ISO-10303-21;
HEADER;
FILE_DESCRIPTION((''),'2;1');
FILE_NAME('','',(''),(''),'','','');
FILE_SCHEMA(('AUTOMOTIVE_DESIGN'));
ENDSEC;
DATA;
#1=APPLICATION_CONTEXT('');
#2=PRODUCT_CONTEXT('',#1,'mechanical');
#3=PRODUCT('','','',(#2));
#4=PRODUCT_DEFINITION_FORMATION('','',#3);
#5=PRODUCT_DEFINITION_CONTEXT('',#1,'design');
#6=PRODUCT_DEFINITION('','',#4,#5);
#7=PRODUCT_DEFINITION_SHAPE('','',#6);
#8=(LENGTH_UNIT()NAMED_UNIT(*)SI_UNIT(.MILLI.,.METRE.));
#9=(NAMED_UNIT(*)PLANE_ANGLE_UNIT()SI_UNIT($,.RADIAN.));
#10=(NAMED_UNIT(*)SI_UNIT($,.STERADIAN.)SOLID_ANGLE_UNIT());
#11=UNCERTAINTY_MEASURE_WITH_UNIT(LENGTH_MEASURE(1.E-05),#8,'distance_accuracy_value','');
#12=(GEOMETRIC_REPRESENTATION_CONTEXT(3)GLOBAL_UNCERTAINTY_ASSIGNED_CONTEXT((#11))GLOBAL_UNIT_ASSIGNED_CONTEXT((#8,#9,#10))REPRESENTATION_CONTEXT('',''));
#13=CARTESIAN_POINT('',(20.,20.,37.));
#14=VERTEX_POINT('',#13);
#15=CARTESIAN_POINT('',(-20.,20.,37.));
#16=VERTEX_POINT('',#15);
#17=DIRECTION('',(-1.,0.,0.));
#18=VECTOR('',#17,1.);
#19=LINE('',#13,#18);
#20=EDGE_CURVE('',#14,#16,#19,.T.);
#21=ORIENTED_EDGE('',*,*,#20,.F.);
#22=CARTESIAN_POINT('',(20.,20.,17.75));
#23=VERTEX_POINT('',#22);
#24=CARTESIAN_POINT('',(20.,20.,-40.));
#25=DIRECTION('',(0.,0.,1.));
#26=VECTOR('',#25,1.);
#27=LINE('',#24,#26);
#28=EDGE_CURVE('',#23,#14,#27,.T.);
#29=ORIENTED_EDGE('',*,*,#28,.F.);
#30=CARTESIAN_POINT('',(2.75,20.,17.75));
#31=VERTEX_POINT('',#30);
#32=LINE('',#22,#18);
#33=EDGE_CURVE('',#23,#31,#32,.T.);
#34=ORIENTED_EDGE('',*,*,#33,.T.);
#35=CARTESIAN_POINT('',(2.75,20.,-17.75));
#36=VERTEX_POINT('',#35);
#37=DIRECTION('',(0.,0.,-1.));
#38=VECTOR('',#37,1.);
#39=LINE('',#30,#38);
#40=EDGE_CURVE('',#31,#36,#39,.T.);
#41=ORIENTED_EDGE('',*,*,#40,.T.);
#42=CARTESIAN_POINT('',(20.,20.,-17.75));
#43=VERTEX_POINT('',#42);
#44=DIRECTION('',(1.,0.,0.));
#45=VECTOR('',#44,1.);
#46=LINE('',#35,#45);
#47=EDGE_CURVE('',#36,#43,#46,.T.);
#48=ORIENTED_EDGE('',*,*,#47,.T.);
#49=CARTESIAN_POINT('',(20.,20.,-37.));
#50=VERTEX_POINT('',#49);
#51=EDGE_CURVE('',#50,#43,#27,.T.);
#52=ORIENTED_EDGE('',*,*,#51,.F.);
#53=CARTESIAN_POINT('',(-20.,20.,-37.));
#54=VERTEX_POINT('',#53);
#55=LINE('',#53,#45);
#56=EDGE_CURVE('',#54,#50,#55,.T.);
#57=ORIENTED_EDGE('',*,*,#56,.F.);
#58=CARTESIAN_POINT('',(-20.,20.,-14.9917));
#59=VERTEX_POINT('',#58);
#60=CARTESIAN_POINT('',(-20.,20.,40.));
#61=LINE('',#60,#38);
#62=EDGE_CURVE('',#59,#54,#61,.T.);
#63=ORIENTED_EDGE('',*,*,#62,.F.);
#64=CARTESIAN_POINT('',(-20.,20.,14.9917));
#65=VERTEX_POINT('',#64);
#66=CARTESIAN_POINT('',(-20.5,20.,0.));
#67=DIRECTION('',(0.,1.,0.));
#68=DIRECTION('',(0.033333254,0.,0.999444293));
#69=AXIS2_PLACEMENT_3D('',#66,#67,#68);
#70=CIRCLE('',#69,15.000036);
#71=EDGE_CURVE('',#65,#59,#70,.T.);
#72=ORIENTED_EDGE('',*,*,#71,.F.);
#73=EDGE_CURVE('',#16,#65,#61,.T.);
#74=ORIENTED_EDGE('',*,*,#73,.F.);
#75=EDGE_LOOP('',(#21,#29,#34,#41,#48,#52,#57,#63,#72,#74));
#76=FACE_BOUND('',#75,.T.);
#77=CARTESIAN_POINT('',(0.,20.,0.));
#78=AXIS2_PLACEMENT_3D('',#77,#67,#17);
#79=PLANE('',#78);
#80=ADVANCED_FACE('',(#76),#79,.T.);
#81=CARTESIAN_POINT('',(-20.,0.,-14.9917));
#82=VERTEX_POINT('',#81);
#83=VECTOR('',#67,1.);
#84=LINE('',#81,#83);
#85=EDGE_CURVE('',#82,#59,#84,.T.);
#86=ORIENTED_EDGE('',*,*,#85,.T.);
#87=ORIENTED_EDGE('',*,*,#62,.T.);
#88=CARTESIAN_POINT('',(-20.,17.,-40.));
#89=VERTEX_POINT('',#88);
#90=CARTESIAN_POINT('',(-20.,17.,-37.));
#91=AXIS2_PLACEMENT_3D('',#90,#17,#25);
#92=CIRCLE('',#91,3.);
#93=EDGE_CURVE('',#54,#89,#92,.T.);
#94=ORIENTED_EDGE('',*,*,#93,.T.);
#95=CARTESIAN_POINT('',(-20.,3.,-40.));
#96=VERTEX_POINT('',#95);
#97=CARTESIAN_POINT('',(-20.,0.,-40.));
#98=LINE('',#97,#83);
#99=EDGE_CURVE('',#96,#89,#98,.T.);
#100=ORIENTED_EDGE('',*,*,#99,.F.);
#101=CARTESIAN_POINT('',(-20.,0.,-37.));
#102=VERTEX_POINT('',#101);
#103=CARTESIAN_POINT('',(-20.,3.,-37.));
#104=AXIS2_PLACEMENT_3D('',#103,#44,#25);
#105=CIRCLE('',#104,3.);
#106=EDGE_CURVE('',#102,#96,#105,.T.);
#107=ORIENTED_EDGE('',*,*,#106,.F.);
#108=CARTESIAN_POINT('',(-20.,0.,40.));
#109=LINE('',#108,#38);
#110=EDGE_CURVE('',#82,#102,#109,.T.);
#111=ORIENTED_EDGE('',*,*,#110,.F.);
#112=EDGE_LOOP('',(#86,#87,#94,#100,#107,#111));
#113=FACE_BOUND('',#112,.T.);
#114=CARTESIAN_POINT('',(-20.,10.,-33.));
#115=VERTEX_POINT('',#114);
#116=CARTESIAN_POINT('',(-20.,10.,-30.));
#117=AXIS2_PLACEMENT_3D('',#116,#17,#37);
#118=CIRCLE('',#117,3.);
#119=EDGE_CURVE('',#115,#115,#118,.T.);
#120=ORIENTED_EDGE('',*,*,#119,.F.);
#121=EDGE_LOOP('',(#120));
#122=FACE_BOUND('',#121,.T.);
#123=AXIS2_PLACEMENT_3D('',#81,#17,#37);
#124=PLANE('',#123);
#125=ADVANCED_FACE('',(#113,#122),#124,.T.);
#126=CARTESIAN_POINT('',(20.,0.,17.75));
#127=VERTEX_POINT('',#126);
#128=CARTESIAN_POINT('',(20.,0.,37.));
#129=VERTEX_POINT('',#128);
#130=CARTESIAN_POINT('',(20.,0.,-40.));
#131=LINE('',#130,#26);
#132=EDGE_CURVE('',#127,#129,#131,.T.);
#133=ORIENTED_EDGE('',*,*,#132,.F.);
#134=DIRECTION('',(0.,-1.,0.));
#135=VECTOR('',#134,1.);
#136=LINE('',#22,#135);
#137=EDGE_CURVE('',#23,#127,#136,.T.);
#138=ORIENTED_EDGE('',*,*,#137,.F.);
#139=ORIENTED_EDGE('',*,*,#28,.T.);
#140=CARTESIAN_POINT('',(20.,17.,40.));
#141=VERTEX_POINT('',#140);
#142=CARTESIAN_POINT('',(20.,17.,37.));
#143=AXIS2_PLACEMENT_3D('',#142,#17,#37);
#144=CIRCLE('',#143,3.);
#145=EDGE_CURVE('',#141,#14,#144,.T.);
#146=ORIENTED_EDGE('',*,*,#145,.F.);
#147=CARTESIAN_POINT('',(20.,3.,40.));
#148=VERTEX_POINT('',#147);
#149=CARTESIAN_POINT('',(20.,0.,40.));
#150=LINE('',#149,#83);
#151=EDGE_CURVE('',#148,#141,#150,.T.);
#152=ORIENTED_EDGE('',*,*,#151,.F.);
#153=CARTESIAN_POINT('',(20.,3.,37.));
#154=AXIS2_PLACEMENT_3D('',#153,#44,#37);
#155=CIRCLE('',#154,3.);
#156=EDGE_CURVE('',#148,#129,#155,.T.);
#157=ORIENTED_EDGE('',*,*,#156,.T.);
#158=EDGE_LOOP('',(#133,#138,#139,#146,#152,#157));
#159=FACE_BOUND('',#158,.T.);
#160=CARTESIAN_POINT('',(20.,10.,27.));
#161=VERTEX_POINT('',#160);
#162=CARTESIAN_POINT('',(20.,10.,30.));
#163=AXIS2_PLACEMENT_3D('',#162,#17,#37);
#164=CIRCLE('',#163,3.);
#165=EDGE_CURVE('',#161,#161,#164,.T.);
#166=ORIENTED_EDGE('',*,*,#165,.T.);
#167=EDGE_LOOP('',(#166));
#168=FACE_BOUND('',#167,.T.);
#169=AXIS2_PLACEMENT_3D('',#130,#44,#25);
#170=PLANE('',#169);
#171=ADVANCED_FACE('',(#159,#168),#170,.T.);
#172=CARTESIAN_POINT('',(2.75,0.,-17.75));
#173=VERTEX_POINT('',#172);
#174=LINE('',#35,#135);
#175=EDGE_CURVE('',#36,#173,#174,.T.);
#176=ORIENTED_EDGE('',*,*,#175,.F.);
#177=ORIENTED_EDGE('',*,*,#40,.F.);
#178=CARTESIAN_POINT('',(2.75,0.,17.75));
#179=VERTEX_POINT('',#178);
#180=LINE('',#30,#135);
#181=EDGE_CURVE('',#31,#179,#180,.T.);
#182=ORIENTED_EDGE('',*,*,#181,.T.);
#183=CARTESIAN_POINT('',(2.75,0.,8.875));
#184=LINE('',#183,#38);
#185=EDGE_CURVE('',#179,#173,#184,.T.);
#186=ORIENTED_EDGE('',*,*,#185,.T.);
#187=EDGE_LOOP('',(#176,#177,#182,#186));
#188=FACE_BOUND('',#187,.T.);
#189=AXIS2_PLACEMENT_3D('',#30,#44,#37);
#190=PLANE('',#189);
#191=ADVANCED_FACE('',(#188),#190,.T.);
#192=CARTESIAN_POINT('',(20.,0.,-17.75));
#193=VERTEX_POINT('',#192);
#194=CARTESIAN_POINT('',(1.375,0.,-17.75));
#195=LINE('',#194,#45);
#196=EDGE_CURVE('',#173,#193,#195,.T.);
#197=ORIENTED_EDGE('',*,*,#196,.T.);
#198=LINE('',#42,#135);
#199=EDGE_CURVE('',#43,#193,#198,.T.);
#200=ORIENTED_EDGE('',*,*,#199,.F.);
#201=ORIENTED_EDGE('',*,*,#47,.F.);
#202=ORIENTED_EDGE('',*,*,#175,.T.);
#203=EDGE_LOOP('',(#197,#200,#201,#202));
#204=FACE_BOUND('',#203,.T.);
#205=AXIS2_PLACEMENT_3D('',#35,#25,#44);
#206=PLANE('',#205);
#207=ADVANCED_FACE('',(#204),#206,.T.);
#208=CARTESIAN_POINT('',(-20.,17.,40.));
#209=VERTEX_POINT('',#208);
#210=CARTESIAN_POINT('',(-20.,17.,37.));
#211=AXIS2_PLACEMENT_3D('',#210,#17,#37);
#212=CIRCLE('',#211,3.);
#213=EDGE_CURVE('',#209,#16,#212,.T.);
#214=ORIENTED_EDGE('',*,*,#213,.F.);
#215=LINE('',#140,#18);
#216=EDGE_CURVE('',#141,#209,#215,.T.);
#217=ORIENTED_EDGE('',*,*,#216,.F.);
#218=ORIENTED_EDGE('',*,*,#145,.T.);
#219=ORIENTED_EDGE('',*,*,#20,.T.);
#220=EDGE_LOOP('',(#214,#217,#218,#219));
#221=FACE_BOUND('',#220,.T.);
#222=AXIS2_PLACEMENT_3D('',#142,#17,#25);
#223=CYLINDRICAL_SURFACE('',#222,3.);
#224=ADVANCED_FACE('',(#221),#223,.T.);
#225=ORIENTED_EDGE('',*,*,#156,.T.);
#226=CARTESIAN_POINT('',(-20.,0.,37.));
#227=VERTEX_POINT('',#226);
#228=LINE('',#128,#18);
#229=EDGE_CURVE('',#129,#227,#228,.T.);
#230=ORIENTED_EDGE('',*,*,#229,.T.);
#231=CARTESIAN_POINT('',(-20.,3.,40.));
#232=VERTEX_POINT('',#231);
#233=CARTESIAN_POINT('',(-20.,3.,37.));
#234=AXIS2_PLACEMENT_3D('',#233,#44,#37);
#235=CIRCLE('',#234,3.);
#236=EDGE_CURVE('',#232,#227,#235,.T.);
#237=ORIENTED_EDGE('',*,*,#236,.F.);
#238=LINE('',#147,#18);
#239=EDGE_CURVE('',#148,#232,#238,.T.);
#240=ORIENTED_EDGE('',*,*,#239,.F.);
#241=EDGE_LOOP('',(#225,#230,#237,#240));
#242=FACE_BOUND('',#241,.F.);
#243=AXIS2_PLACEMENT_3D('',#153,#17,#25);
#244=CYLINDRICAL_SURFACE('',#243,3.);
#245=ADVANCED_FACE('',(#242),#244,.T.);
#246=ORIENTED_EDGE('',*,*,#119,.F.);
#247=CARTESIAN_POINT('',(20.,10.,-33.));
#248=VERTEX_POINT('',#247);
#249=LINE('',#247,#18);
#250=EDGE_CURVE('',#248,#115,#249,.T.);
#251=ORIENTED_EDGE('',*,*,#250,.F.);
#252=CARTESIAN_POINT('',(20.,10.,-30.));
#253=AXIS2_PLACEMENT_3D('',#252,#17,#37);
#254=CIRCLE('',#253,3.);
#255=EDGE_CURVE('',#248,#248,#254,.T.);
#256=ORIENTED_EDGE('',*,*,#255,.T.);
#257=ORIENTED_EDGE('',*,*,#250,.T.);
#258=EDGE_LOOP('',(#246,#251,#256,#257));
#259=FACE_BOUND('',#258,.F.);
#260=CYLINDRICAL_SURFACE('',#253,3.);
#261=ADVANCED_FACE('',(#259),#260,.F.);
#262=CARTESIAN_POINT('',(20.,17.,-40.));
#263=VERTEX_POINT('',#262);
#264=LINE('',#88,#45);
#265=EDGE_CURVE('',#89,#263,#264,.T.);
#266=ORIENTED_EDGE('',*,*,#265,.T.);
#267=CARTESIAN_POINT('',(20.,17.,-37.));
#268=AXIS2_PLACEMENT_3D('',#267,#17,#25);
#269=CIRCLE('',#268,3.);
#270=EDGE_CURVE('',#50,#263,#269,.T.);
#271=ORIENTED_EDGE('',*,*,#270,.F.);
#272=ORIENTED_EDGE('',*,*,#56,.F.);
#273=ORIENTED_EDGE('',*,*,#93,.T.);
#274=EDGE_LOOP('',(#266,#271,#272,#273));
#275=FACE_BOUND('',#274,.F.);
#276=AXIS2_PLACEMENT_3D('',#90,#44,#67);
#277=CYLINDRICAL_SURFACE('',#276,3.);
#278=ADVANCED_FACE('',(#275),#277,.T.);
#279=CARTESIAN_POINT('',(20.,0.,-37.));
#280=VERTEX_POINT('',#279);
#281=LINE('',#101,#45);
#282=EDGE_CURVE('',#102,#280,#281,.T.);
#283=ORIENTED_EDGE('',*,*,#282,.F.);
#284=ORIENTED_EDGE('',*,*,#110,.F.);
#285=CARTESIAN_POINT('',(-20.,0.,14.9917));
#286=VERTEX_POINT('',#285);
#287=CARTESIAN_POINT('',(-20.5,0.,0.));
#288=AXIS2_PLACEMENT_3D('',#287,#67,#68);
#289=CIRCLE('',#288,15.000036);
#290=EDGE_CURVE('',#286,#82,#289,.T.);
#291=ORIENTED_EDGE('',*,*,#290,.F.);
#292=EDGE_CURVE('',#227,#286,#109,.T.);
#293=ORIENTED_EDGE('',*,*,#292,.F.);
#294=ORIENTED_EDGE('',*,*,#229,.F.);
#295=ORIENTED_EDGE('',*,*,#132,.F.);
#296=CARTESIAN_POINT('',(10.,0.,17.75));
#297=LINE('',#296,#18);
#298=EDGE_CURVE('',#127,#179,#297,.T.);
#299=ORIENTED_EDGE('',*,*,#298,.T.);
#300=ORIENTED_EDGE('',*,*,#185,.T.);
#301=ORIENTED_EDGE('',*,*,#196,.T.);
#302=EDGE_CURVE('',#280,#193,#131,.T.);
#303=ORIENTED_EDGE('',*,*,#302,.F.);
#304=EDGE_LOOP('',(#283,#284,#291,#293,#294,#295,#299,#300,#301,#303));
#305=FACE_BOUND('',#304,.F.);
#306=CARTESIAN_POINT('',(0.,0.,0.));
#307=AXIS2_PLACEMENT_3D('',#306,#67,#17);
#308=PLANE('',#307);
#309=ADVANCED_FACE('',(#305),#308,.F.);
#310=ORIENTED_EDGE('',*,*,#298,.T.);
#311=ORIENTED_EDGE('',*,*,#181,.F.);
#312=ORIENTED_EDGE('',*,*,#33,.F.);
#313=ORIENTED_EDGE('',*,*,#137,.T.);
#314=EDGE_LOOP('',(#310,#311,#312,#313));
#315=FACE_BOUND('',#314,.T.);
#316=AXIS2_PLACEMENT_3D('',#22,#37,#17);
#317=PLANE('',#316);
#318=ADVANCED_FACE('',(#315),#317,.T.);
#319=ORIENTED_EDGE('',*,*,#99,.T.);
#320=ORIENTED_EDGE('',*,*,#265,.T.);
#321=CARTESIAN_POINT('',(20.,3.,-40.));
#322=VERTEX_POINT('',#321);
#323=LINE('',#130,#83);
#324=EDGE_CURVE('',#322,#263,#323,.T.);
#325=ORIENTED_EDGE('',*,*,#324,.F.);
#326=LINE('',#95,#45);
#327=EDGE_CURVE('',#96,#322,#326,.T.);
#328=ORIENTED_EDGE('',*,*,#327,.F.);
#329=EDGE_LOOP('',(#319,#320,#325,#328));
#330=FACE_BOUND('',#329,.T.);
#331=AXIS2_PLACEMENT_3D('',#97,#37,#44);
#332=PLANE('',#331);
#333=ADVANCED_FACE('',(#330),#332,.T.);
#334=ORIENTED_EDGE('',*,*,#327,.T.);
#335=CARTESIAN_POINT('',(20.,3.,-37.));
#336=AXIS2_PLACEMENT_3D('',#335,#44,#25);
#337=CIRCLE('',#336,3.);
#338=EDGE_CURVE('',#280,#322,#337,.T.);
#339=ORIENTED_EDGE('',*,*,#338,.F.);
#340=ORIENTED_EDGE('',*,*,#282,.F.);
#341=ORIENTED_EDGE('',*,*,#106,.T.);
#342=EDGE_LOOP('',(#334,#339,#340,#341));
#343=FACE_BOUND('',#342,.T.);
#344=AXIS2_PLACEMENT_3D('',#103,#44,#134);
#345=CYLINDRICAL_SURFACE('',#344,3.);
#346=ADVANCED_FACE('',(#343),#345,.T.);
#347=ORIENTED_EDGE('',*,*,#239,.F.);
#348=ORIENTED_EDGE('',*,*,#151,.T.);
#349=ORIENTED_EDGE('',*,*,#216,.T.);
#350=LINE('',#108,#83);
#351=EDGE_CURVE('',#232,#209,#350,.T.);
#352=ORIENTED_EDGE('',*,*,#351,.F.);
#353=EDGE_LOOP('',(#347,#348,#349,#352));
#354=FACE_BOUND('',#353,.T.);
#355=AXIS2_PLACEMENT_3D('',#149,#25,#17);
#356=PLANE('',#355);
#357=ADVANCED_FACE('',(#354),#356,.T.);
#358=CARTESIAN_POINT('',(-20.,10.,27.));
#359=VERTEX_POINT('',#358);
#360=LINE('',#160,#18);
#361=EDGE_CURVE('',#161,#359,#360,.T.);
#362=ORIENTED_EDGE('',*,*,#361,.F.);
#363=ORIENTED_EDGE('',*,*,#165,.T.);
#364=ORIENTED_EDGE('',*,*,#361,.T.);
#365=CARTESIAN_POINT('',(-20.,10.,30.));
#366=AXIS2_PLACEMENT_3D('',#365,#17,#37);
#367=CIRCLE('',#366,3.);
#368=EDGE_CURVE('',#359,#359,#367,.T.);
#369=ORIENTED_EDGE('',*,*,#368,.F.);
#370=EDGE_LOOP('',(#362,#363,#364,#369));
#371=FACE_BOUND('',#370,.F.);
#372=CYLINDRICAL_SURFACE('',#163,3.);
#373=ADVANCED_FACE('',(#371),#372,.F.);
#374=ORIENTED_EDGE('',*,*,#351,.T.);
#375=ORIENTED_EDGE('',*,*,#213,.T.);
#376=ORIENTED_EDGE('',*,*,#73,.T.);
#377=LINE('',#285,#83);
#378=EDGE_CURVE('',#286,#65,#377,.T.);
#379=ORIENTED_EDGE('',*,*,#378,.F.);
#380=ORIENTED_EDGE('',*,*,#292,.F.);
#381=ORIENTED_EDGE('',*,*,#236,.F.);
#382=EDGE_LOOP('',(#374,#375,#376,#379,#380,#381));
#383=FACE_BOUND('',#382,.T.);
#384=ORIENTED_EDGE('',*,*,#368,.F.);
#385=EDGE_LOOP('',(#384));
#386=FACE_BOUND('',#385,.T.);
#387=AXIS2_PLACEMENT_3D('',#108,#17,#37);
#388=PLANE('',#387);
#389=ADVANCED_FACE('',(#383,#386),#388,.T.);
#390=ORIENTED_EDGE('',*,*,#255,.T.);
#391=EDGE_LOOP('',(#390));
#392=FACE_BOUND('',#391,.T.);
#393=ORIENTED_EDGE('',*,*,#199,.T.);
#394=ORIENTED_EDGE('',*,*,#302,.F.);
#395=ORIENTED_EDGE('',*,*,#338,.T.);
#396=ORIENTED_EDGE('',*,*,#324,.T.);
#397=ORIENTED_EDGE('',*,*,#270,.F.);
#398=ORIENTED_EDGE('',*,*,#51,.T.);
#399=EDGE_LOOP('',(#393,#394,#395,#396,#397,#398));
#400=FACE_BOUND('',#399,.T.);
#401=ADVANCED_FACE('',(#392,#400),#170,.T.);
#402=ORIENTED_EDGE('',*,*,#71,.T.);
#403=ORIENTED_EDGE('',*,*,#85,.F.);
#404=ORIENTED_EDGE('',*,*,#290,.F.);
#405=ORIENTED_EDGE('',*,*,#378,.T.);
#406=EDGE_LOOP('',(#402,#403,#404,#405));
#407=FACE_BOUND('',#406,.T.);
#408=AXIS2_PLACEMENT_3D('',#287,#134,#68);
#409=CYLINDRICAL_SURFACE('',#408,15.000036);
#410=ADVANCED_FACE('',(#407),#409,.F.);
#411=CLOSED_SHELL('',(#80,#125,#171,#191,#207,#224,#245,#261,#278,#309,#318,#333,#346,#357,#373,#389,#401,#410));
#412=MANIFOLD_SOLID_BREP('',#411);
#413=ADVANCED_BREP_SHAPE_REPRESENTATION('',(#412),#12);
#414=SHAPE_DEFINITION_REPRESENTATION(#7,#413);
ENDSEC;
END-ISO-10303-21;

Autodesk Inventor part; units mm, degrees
ref_plane "YZ Plane" through (0, 0, 0) normal (1, 0, 0) x (0, 1, 0)
ref_plane "XZ Plane" through (0, 0, 0) normal (0, 1, 0) x (-1, 0, 0)
ref_plane "XY Plane" through (0, 0, 0) normal (0, 0, 1) x (1, 0, 0)
sketch "Sketch1" plane through (0, 0, 0) normal (0, 1, 0) x (-1, 0, 0)
  line L0 (-20, 40) -> (20, 40)
  line L1 (20, 40) -> (20, -40)
  line L2 (20, -40) -> (-20, -40)
  line L3 (-20, -40) -> (-20, 40)
  arc A0 (20, 14.9917) -> (20, -14.9917) centre (20.5, 0) ccw
  point P0 (0, 0)
  dimension "d0" = 80
  dimension "d1" = 40
  dimension "d2" = 40
  dimension "d3" = 20
  dimension "d4" = 30
  dimension "d22" = 0.5
extrude "Extrusion1" add sketch "Sketch1" along normal blind 20 contours L0 L1 A0 L2 L3
sketch "Sketch2" plane through (20, 0, 40) normal (1, 0, 0) x (0, 0, -1)
  line L0 (0, 0) -> (80, 0) projected
  line L1 (80, 0) -> (80, 20) projected
  line L2 (0, 20) -> (80, 20) projected
  line L3 (0, 0) -> (0, 20) projected
  point P0 (40, 0)
  point P1 (10, 10)
  point P2 (70, 10)
  dimension "d8" = 10
  dimension "d9" = 10
  dimension "d10" = 10
  dimension "d11" = 10
hole "Hole1" at (20, 10, 30) at (20, 10, -30) direction (-1, 0, 0) diameter 6 end through all
sketch "Sketch3" plane through (0, 20, 0) normal (0, 1, 0) x (1, 0, 0)
  line L0 (20, -40) -> (20, 40) projected
  line L1 (20, 40) -> (-20, 40) projected
  line L2 (-20, 40) -> (-20, 14.9917) projected
  arc A0 (-20, -14.9917) -> (-20, 14.9917) centre (-20.5, 0) ccw projected
  line L3 (-20, -14.9917) -> (-20, -40) projected
  line L4 (-20, -40) -> (20, -40) projected
  line L5 (20, -17.75) -> (2.75, -17.75)
  line L6 (2.75, -17.75) -> (2.75, 17.75)
  line L7 (2.75, 17.75) -> (20, 17.75)
  point P0 (0, 0)
  dimension "d19" = 17.25
  dimension "d20" = 35.5
  dimension "d21" = 17.75
extrude "Extrusion2" cut sketch "Sketch3" against normal through all contours L5 L6 L7 L0
fillet "Fillet1" radius 3 4 edges at (0, 20, 40) (0, 0, 40) (0, 20, -40) (0, 0, -40)
equation "\"d2\" = 0.5 * d0"
equation "\"d3\" = 0.5 * d1"
equation "\"d9\" = d8"
equation "\"d21\" = 0.5 * d20"
properties part number "3DP_ASA_Balcony_Mounting_Clamp_Mid"
